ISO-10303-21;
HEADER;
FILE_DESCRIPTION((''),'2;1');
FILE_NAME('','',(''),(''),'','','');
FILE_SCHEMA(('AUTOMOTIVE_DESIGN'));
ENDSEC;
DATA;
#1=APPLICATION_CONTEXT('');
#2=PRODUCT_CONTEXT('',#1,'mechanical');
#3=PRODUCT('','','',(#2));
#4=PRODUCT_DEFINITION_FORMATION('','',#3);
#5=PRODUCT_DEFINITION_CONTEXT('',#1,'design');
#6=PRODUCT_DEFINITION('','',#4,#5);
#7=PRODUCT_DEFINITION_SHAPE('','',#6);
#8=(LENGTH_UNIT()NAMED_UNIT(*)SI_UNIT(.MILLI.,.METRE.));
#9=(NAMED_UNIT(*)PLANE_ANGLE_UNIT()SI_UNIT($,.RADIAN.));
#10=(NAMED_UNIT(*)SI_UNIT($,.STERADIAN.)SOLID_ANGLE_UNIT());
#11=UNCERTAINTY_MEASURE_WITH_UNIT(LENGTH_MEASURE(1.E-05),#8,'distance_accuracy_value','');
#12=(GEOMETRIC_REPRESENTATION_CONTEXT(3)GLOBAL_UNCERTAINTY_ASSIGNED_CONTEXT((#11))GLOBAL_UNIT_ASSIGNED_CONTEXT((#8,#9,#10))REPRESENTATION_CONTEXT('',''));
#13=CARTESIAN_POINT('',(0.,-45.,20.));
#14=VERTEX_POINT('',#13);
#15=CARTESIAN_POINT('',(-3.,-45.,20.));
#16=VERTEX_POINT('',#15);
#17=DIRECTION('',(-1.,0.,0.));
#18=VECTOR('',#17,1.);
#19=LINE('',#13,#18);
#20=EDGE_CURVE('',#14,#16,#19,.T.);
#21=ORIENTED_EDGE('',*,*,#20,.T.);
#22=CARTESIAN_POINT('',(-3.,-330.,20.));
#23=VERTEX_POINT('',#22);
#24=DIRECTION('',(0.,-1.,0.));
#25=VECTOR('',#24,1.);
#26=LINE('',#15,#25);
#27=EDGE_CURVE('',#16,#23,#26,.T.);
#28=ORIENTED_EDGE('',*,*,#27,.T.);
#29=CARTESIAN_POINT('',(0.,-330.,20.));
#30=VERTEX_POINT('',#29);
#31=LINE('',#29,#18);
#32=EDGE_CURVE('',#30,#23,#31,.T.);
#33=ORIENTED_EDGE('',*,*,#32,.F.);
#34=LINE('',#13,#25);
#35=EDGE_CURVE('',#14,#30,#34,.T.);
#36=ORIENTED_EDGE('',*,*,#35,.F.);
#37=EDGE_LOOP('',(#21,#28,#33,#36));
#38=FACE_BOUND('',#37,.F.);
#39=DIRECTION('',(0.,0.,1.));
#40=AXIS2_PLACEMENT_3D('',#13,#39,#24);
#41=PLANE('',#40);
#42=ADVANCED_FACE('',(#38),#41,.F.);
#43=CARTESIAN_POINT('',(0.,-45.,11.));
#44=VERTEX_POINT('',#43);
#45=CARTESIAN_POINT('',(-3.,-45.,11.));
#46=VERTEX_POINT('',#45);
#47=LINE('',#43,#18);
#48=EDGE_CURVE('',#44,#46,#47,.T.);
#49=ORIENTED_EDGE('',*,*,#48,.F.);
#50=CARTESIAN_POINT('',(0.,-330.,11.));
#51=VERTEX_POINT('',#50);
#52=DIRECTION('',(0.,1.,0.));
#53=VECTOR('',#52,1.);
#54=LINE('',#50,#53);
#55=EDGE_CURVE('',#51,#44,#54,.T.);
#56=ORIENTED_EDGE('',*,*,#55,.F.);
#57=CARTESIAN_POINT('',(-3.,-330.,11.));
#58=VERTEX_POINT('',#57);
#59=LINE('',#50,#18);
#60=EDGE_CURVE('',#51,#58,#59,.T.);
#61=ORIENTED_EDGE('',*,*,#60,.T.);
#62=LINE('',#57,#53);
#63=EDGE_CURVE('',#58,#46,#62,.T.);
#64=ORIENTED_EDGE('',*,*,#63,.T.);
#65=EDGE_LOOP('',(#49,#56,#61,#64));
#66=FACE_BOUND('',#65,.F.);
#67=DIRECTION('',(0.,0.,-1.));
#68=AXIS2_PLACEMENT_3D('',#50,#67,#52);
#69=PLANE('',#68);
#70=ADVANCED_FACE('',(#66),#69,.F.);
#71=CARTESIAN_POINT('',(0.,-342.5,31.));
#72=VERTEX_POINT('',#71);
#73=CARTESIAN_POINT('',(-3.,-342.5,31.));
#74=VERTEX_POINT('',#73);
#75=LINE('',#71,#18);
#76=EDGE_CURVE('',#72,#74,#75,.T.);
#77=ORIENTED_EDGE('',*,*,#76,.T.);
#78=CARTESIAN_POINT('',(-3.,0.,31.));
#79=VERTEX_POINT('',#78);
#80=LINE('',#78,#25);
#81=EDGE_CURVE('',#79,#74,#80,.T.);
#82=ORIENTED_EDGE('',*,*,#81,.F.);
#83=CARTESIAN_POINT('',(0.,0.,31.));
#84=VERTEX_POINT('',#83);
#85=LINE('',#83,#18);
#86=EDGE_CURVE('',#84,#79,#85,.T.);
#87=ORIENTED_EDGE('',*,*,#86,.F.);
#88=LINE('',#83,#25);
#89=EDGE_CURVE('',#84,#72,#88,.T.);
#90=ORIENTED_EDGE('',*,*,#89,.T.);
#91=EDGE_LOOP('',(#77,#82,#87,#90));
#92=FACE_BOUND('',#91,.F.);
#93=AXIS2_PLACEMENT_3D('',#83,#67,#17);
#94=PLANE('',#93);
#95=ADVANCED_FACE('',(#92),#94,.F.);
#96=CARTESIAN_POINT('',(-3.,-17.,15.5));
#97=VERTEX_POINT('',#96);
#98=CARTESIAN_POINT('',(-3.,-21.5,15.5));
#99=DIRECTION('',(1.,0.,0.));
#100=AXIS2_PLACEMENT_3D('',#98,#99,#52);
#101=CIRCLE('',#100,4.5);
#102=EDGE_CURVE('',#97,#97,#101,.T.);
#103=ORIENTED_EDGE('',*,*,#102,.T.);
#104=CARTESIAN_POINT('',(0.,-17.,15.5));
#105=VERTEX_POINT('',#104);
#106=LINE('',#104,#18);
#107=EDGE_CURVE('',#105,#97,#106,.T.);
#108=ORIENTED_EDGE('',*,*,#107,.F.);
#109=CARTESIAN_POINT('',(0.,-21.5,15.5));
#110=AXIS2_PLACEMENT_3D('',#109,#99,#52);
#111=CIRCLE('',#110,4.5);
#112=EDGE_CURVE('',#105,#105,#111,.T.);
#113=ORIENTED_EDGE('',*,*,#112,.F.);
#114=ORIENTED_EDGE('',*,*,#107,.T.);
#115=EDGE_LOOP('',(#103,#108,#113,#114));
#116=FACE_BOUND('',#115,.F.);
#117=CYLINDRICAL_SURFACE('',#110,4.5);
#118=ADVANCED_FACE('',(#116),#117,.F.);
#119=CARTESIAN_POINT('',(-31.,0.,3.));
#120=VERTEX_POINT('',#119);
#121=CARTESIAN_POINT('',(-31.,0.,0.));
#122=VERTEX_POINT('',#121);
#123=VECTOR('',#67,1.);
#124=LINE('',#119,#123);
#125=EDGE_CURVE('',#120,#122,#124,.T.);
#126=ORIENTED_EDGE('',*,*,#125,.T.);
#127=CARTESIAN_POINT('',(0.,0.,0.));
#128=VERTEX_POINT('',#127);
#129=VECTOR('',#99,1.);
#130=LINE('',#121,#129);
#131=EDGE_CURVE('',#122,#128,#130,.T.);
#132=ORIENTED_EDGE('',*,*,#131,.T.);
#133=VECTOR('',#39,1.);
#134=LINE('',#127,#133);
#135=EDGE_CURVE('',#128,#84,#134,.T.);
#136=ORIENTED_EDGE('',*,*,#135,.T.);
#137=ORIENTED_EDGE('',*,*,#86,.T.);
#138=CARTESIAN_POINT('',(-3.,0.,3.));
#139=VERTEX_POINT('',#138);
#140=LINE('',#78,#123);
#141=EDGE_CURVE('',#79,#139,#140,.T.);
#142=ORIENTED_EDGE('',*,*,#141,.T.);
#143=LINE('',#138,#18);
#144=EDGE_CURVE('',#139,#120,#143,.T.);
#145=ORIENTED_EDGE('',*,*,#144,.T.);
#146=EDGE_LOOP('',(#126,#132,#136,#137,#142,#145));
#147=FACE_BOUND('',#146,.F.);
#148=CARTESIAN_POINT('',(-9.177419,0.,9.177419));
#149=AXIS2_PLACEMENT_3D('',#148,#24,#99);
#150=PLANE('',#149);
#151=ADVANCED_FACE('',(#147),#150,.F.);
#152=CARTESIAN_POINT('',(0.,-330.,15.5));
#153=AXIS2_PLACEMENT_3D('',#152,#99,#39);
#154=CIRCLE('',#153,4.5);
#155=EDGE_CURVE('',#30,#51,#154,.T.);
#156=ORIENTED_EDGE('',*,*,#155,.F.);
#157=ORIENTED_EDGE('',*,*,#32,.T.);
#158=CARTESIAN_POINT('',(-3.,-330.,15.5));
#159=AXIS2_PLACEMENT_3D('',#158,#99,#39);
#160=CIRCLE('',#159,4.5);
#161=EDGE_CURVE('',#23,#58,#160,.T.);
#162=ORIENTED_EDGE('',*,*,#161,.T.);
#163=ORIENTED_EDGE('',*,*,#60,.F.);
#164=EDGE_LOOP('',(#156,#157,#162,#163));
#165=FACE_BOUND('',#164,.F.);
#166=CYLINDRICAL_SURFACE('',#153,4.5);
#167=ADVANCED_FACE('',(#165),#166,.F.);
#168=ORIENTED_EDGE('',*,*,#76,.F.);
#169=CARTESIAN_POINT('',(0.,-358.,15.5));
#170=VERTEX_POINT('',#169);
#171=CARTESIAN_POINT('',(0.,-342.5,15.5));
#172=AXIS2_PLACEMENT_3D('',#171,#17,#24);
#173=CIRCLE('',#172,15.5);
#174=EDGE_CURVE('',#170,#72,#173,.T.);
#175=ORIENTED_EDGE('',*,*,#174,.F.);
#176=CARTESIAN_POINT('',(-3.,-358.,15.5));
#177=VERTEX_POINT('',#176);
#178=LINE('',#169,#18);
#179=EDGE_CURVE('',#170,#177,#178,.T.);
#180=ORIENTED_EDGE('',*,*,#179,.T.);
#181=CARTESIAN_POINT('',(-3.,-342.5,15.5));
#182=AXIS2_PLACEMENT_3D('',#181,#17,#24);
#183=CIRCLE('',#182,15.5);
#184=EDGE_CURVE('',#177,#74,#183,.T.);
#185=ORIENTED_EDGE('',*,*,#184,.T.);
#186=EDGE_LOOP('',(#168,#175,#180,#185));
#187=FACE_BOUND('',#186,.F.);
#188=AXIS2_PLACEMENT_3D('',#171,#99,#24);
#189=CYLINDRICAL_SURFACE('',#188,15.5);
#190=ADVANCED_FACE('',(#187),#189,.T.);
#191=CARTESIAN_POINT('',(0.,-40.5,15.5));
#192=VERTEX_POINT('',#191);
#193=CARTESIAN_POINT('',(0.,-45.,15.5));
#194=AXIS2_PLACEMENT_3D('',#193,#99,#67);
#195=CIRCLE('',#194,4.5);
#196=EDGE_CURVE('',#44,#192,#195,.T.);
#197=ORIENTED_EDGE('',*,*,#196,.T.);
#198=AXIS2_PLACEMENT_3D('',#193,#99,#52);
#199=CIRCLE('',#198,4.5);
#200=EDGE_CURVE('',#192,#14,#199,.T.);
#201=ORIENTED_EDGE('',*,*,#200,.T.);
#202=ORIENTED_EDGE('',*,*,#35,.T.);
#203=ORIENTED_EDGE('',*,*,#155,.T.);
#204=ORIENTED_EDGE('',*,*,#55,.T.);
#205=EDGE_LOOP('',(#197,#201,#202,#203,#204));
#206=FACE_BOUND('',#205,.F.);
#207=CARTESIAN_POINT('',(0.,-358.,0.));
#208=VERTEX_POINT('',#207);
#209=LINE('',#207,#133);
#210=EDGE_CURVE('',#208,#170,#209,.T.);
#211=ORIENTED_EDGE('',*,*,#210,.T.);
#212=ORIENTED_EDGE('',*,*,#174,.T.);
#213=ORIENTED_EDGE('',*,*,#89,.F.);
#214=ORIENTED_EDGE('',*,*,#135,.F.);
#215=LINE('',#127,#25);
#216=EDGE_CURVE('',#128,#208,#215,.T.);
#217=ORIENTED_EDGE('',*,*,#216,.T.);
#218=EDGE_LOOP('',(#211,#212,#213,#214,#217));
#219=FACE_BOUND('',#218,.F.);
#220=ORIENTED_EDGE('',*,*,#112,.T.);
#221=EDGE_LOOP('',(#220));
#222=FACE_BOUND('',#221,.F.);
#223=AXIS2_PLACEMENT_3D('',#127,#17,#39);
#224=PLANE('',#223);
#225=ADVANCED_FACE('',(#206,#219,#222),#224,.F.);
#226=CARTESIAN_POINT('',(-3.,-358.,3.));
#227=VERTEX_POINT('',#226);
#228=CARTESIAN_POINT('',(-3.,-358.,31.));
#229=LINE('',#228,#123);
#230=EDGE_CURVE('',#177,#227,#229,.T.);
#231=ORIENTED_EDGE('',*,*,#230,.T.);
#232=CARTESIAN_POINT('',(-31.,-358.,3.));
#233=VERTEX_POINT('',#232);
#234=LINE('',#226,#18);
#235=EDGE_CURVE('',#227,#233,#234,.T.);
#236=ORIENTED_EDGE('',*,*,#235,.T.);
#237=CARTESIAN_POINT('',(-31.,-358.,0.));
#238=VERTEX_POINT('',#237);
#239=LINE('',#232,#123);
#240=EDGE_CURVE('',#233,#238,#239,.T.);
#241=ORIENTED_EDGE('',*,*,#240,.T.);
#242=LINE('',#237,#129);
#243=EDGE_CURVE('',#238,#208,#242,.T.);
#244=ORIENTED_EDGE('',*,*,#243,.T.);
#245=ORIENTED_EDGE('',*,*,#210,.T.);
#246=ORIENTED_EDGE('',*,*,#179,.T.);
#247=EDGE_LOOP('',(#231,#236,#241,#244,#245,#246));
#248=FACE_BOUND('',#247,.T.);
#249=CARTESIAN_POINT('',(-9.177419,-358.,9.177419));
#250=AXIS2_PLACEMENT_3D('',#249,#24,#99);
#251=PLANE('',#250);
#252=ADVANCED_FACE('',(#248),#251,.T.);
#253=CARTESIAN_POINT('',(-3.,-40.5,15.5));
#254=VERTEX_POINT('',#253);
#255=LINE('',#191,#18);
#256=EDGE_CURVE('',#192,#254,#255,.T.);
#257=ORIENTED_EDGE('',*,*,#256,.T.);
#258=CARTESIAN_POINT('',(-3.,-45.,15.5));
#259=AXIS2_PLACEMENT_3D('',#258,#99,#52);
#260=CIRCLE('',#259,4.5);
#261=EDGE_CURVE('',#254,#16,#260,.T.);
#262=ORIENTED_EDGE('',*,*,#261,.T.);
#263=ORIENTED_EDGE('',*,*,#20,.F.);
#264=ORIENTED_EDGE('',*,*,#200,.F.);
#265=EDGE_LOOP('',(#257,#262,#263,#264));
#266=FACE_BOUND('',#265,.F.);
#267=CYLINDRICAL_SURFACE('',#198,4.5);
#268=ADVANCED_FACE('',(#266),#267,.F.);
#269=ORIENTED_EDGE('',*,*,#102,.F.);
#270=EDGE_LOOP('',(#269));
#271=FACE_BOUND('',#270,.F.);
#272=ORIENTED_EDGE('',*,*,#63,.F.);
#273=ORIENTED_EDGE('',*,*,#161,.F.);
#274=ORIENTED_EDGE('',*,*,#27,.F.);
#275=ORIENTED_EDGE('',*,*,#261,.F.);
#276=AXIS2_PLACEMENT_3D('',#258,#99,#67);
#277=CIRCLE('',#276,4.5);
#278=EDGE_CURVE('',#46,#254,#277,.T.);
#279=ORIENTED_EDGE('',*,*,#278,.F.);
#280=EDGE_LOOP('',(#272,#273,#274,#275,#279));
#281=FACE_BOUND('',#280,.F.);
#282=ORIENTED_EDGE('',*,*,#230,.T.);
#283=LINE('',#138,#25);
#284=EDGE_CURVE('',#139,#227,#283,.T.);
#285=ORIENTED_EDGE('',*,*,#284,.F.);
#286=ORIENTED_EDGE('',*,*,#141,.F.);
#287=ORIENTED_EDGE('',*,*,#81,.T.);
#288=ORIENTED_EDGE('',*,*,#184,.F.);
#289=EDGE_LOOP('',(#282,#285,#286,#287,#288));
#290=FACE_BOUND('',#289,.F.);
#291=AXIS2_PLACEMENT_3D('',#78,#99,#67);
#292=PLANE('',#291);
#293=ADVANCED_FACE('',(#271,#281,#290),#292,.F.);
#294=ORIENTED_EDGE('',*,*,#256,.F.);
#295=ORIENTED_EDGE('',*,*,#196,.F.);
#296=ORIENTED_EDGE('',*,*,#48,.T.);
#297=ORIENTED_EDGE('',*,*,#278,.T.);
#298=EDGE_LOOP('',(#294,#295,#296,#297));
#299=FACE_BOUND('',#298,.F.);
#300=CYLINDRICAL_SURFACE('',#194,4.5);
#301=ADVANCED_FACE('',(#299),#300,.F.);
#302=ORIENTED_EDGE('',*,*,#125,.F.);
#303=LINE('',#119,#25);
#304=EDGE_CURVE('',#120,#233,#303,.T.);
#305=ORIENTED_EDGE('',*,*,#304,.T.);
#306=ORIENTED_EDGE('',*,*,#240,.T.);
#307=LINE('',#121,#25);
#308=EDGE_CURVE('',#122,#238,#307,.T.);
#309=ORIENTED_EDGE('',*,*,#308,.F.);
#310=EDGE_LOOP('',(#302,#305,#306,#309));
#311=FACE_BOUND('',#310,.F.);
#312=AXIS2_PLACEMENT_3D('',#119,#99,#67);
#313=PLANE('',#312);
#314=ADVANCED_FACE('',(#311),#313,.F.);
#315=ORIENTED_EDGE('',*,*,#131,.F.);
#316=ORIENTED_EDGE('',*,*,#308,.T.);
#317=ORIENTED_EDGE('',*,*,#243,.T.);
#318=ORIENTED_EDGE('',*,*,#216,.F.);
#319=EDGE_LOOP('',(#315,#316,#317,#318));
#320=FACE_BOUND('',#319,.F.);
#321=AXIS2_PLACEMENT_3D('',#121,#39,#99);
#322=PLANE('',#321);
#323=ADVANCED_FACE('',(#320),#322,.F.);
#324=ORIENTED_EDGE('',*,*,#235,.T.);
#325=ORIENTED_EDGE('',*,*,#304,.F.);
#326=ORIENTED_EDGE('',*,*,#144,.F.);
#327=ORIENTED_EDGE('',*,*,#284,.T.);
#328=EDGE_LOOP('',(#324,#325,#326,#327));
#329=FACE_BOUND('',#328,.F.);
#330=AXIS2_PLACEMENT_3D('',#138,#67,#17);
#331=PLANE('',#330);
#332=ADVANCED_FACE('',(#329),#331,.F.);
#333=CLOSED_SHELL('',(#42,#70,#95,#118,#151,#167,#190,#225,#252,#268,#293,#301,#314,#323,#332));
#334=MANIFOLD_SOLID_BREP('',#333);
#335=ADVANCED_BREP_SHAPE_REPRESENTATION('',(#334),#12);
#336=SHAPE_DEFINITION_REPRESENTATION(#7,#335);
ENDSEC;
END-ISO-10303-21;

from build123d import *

# Parameters (mm, degrees)
F4_DEPTH = 358
F5_R     = 4.5
F6_DEPTH = 3


with BuildPart() as f4:
    # F3 (on Front) → F4 (new body)
    with BuildSketch(Plane.XZ):
        Polygon((-31, 0), (0, 0), (0, 31), (-3, 31), (-3, 3), (-31, 3), align=None)
    extrude(amount=F4_DEPTH)

    # F5 (on face) → F6 (cut, through all)
    with BuildSketch(Plane.YZ):
        with BuildLine():
            ThreePointArc((-330, 11), (-326.8180194847, 12.3180194847), (-325.5, 15.5))
            ThreePointArc((-325.5, 15.5), (-326.8180194847, 18.6819805153), (-330, 20))
            ThreePointArc((-330, 20), (-334.5, 15.5), (-330, 11))
        make_face()
        with Locations((-21.5, 15.5)):
            Circle(F5_R)
        with BuildLine():
            ThreePointArc((-330, 20), (-326.8180194847, 18.6819805153), (-325.5, 15.5))
            ThreePointArc((-325.5, 15.5), (-326.8180194847, 12.3180194847), (-330, 11))
            Line((-330, 11), (-45, 11))
            ThreePointArc((-45, 11), (-49.5, 15.5), (-45, 20))
            Line((-45, 20), (-330, 20))
        make_face()
        with BuildLine():
            ThreePointArc((-40.5, 15.5), (-41.8180194847, 18.6819805153), (-45, 20))
            ThreePointArc((-45, 20), (-49.5, 15.5), (-45, 11))
            ThreePointArc((-45, 11), (-41.8180194847, 12.3180194847), (-40.5, 15.5))
        make_face()
        with BuildLine():
            Line((-358, 31), (-358, 15.5))
            ThreePointArc((-358, 15.5), (-353.4601551084, 26.4601551084), (-342.5, 31))
            Line((-342.5, 31), (-358, 31))
        make_face()
    extrude(amount=-F6_DEPTH, mode=Mode.SUBTRACT)


solid = f4.part
